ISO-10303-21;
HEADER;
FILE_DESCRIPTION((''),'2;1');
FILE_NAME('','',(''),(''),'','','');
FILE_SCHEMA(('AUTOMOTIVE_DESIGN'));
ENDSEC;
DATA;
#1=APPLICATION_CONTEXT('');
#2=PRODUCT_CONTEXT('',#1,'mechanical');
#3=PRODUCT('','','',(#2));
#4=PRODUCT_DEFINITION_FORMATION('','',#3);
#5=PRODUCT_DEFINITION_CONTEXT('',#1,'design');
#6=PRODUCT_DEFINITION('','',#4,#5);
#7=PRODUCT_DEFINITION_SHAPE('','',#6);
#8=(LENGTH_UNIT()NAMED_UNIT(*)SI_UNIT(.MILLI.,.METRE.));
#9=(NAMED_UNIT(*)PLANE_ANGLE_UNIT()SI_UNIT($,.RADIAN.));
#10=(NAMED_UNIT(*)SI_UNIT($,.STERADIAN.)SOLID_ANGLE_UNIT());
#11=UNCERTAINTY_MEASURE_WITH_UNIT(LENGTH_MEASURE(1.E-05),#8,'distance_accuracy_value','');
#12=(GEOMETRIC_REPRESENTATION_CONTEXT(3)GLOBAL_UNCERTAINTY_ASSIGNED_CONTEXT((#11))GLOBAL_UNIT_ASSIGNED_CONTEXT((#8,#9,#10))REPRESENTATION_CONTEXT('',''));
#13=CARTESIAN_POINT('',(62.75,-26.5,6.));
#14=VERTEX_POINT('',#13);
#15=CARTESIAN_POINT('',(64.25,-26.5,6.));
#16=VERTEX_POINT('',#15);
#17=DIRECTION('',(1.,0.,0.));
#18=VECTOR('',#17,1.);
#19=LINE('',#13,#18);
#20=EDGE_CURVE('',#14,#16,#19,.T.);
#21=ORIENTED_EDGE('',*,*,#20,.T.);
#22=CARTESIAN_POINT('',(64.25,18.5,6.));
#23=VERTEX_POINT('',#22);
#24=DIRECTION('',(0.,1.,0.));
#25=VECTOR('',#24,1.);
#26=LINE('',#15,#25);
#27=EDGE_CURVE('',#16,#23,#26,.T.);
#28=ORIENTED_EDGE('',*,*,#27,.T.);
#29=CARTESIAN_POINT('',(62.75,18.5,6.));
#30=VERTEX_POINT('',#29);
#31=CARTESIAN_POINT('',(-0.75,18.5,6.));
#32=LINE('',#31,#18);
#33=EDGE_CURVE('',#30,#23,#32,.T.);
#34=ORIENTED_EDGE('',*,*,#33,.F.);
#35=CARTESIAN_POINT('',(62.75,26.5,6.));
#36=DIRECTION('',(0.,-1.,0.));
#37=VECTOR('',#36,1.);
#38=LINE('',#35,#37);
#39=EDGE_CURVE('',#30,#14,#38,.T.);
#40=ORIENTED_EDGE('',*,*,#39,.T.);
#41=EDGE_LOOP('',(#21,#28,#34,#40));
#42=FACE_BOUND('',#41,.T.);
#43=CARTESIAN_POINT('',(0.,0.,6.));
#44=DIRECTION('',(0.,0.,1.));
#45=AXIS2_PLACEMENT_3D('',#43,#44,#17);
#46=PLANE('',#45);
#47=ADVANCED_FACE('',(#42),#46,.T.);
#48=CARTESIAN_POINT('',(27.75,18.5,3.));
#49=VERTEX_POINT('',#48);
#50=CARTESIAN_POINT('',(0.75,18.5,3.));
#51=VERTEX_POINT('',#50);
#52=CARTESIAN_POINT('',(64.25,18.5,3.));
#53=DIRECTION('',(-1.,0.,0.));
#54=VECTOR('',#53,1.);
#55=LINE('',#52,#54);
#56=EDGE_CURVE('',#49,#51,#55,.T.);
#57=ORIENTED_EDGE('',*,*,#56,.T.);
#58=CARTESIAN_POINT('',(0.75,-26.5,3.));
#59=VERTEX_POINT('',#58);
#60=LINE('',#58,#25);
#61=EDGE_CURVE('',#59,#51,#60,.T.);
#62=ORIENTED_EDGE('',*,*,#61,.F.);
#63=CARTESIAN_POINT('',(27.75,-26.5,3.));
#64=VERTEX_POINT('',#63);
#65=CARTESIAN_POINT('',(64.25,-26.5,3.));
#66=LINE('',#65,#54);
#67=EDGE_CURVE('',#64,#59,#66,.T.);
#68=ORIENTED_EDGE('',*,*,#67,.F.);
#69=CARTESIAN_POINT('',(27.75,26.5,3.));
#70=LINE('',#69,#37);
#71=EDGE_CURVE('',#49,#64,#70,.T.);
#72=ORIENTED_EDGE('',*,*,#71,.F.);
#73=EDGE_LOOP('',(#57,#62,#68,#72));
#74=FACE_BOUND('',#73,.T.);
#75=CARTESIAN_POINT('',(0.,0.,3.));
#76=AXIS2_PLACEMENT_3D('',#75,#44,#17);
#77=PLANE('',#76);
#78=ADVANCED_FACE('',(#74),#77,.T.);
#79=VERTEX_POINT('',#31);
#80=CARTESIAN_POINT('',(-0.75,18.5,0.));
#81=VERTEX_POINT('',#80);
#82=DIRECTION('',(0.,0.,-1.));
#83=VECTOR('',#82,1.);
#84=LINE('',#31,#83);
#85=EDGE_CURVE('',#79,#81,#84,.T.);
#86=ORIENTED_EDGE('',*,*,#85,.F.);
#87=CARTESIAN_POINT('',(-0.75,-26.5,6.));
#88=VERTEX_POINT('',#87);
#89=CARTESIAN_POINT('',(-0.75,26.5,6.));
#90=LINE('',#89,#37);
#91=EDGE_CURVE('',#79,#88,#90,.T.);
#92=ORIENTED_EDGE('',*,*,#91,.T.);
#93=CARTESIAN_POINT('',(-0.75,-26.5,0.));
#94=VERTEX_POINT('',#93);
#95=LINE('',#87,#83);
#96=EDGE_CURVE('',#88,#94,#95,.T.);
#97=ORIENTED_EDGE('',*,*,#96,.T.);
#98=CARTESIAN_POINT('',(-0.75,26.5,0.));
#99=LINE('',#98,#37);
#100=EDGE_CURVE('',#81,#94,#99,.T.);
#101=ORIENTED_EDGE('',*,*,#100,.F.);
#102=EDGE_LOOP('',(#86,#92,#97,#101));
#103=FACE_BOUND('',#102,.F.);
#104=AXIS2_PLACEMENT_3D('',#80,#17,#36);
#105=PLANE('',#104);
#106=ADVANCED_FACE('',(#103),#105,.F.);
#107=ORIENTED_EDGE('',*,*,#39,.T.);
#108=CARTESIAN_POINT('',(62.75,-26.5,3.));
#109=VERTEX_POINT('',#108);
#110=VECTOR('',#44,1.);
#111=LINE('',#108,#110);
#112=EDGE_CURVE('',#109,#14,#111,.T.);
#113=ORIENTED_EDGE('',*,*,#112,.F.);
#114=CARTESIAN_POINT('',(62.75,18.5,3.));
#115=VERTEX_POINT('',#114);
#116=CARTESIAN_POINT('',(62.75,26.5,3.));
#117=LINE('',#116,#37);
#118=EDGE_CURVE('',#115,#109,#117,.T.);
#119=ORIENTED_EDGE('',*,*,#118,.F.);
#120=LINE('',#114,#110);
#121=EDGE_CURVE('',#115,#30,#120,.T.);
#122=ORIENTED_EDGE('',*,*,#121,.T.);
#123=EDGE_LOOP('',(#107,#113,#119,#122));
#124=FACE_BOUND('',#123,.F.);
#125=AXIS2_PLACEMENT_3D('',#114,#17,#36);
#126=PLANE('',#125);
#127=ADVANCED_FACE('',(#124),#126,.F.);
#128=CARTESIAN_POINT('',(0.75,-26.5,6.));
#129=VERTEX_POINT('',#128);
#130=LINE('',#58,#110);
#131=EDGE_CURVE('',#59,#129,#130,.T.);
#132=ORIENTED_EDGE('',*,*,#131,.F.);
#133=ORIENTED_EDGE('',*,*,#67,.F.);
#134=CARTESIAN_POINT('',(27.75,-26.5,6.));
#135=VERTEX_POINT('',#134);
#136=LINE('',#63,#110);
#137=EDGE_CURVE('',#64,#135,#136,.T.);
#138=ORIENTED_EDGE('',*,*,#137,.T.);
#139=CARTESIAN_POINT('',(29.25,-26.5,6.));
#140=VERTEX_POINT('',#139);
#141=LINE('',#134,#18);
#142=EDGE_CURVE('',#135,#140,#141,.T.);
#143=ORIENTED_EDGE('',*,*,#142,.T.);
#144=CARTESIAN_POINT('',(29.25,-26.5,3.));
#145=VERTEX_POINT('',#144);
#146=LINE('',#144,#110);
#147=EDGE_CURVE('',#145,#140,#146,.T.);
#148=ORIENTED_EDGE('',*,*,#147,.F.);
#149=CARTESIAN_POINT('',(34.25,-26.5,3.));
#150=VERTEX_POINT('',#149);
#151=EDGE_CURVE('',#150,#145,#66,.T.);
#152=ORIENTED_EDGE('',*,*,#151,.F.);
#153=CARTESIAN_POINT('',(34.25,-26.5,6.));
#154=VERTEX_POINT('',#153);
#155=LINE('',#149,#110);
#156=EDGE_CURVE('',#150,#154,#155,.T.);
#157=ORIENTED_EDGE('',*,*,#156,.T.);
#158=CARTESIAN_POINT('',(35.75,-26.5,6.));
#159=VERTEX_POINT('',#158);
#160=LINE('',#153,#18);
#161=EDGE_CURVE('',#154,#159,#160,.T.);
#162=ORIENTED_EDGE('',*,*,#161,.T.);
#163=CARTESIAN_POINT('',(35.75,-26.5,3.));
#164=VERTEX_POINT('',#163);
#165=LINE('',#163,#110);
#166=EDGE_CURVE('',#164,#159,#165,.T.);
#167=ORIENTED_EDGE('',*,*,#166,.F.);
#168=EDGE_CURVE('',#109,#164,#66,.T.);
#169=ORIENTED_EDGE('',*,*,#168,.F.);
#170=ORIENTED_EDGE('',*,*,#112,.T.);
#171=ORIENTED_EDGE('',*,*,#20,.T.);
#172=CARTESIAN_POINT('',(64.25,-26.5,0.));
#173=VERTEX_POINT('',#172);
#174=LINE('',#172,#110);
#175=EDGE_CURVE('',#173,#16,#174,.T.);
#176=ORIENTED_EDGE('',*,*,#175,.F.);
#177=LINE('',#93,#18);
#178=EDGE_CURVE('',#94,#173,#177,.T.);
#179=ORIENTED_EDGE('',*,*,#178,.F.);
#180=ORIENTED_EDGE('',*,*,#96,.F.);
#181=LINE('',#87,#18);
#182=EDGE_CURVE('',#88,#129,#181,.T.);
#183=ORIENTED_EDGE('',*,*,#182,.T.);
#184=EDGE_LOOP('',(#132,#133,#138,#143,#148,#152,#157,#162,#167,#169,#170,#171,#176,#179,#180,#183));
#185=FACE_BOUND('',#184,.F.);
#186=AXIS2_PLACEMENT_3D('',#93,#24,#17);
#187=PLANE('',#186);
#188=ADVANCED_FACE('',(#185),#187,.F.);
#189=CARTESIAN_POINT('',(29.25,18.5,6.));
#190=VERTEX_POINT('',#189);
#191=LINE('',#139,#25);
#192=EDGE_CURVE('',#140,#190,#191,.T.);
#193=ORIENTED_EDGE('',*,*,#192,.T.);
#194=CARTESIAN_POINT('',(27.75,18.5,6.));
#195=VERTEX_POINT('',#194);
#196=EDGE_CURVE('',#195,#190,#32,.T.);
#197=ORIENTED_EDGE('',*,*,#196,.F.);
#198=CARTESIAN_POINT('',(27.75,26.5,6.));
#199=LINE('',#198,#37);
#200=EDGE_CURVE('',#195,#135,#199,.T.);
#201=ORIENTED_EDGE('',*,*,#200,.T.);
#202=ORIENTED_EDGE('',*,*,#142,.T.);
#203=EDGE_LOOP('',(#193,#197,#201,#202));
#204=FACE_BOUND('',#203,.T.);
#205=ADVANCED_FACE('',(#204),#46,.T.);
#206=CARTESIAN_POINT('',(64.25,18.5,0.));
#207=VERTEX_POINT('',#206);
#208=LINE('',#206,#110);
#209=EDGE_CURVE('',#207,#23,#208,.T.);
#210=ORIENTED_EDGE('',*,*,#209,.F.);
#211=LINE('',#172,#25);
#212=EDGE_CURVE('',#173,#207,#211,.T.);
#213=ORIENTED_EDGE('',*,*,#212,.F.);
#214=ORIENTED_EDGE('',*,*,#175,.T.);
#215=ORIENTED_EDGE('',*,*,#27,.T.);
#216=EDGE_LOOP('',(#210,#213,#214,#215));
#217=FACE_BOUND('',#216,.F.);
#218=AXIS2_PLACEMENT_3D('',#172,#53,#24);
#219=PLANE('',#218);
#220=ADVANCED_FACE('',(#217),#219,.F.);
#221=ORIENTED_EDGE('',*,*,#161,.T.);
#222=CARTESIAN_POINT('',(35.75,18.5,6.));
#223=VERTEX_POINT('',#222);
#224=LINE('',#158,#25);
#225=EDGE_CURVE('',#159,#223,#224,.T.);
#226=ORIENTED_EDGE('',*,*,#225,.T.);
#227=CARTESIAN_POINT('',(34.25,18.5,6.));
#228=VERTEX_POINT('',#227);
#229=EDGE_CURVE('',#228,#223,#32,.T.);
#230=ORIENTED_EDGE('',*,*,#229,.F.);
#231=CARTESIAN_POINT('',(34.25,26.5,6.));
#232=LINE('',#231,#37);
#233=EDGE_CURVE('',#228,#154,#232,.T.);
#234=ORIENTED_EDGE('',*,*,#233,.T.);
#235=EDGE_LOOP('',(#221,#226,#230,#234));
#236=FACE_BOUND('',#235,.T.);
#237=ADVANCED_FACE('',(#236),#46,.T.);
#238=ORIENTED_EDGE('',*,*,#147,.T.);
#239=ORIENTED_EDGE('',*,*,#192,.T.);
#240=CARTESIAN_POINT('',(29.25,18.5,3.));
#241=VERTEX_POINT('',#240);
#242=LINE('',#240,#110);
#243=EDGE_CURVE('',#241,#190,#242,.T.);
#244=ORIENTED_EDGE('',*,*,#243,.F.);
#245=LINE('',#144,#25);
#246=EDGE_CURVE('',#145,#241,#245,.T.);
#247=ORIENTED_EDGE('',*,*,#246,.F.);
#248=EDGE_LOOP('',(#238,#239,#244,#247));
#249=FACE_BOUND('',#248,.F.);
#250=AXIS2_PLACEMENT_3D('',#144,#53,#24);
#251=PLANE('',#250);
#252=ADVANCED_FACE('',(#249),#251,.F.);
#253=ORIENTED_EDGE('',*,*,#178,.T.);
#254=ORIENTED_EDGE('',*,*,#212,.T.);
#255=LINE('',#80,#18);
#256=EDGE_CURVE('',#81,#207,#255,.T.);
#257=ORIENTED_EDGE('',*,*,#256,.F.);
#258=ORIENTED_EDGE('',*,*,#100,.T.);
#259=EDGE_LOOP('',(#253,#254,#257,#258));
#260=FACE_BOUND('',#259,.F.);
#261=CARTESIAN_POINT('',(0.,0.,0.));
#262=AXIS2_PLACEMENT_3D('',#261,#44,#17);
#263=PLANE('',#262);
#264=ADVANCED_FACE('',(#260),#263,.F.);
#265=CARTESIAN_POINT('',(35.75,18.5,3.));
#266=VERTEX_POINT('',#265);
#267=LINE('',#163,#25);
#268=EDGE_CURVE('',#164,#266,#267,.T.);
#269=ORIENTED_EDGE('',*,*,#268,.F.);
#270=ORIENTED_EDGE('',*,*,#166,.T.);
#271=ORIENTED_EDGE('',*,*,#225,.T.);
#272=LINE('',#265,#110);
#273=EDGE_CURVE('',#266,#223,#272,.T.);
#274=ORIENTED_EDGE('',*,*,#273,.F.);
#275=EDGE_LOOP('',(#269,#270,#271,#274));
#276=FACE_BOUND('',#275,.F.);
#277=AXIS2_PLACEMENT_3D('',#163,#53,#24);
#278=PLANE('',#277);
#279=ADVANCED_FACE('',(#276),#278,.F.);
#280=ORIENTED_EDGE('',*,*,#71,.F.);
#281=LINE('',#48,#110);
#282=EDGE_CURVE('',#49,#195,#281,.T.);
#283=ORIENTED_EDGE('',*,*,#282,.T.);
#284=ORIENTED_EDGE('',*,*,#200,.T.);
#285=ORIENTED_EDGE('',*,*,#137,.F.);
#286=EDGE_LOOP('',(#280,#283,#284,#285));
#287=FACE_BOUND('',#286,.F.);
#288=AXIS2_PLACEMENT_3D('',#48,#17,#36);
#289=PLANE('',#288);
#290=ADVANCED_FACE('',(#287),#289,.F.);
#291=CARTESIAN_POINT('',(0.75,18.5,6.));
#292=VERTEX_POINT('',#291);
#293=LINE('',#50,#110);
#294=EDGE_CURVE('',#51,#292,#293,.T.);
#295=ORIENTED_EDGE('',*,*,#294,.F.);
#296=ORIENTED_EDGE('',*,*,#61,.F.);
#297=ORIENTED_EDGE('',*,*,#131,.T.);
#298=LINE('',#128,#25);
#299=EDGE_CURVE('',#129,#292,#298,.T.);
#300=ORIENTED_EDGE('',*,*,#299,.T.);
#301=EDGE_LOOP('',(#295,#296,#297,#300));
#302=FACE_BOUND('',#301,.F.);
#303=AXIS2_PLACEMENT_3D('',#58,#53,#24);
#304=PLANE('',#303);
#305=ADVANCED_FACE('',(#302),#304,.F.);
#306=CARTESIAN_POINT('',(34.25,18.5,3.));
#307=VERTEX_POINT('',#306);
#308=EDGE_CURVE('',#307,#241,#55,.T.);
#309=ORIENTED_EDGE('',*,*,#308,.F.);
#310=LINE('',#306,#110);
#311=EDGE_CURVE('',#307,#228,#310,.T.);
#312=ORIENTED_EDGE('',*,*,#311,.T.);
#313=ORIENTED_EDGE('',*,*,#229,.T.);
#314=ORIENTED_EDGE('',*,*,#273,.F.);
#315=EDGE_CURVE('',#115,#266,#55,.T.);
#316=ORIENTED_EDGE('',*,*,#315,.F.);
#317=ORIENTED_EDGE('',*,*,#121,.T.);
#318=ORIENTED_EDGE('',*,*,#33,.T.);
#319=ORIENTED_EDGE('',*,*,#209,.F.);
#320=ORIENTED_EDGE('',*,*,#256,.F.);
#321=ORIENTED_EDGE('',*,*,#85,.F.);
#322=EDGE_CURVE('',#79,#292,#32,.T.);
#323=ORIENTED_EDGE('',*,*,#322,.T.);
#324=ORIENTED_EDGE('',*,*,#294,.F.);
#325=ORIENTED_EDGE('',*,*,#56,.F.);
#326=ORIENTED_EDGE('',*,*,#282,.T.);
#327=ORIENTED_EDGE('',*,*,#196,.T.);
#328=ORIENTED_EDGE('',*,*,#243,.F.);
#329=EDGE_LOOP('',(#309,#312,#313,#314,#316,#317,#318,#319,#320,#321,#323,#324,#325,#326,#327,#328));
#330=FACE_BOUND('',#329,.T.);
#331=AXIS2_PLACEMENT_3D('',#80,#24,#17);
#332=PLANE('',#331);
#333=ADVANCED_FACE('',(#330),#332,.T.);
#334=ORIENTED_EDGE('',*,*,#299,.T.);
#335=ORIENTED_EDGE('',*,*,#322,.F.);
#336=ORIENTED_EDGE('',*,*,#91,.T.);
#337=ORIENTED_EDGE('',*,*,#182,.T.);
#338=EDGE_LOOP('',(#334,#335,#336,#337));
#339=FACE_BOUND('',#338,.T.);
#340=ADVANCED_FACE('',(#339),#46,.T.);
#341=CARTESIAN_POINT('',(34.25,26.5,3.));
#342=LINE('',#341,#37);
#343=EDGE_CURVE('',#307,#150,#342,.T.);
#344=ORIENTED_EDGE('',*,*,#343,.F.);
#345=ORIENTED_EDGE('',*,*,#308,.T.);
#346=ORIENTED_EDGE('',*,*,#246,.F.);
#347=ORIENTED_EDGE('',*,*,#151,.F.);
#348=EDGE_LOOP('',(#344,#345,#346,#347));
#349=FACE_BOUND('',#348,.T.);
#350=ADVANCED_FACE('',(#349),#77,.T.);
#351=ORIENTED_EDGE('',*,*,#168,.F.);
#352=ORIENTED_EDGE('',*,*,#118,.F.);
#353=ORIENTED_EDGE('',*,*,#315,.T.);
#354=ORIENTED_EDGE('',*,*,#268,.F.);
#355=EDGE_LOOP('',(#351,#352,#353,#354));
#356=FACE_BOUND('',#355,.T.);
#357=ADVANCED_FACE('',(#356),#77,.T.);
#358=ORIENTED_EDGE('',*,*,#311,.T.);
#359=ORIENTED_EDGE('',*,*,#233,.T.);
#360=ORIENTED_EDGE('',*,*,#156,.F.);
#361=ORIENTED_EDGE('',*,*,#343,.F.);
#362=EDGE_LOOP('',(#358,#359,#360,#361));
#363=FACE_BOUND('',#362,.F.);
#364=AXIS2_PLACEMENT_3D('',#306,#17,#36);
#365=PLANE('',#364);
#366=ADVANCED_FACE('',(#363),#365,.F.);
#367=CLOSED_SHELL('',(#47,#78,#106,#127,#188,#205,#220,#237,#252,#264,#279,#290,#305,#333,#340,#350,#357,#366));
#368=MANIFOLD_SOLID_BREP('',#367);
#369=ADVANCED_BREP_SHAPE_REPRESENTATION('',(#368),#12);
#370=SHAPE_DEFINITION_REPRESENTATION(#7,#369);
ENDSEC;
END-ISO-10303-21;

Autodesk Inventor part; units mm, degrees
ref_plane "YZ Plane" through (0, 0, 0) normal (1, 0, 0) x (0, 1, 0)
ref_plane "XZ Plane" through (0, 0, 0) normal (0, 1, 0) x (-1, 0, 0)
ref_plane "XY Plane" through (0, 0, 0) normal (0, 0, 1) x (1, 0, 0)
sketch "Sketch1" plane through (0, 0, 0) normal (0, 0, 1) x (1, 0, 0)
  line L0 (0.75, -26.5) -> (0.75, 26.5) projected
  line L1 (0.75, 26.5) -> (-0.75, 26.5) projected
  line L2 (-0.75, 26.5) -> (-0.75, -26.5) projected
  line L3 (-0.75, -26.5) -> (0.75, -26.5) projected
  line L4 (27.75, 26.5) -> (27.75, -26.5) projected
  line L5 (27.75, -26.5) -> (29.25, -26.5) projected
  line L6 (29.25, -26.5) -> (29.25, 26.5) projected
  line L7 (29.25, 26.5) -> (27.75, 26.5) projected
  line L8 (35.75, -26.5) -> (35.75, 26.5) projected
  line L9 (35.75, 26.5) -> (34.25, 26.5) projected
  line L10 (34.25, 26.5) -> (34.25, -26.5) projected
  line L11 (34.25, -26.5) -> (35.75, -26.5) projected
  line L12 (64.25, -26.5) -> (64.25, 26.5) projected
  line L13 (62.75, 26.5) -> (62.75, -26.5) projected
  line L14 (62.75, -26.5) -> (64.25, -26.5) projected
  line L15 (64.25, -26.5) -> (64.25, 26.5) projected
  line L16 (64.25, 26.5) -> (62.75, 26.5) projected
  line L17 (64.25, -26.5) -> (-0.75, -26.5)
  line L18 (-0.75, -26.5) -> (-0.75, 18.5)
  line L19 (-0.75, 18.5) -> (64.25, 18.5)
  line L20 (64.25, 18.5) -> (64.25, -26.5)
  line L21 (62.75, 18.5) -> (62.75, -26.5)
  line L22 (35.75, 18.5) -> (35.75, -26.5)
  line L23 (34.25, 18.5) -> (34.25, -26.5)
  line L24 (29.25, 18.5) -> (29.25, -26.5)
  line L25 (27.75, -26.5) -> (27.75, 18.5)
  line L26 (0.75, 18.5) -> (0.75, -26.5)
  point P0 (0, 0)
  dimension "d0" = 45
extrude "Extrusion1" add sketch "Sketch1" along normal blind 3 contours L3 L2 L19 L0 | L0 L19 L4 L17 | L4 L19 L6 L5 | L6 L19 L10 L17 | L10 L19 L8 L11 | L8 L19 L13 L17 | L13 L19 L12 L14
sketch "Sketch2" plane through (0, 0, 3) normal (0, 0, 1) x (1, 0, 0)
  line L0 (0.75, -26.5) -> (0.75, 26.5)
  line L1 (0.75, 26.5) -> (-0.75, 26.5)
  line L2 (-0.75, 26.5) -> (-0.75, -26.5)
  line L3 (-0.75, -26.5) -> (0.75, -26.5)
  line L4 (27.75, 26.5) -> (27.75, -26.5)
  line L5 (27.75, -26.5) -> (29.25, -26.5)
  line L6 (29.25, -26.5) -> (29.25, 26.5)
  line L7 (29.25, 26.5) -> (27.75, 26.5)
  line L8 (35.75, -26.5) -> (35.75, 26.5)
  line L9 (35.75, 26.5) -> (34.25, 26.5)
  line L10 (34.25, 26.5) -> (34.25, -26.5)
  line L11 (34.25, -26.5) -> (35.75, -26.5)
  line L12 (64.25, -26.5) -> (64.25, 26.5)
  line L13 (62.75, 26.5) -> (62.75, -26.5)
  line L14 (62.75, -26.5) -> (64.25, -26.5)
  line L15 (64.25, -26.5) -> (64.25, 26.5)
  line L16 (64.25, 26.5) -> (62.75, 26.5)
  line L17 (64.25, -26.5) -> (-0.75, -26.5)
  line L18 (-0.75, -26.5) -> (-0.75, 18.5)
  line L19 (-0.75, 18.5) -> (64.25, 18.5)
  line L20 (64.25, 18.5) -> (64.25, -26.5)
  line L21 (62.75, 18.5) -> (62.75, -26.5)
  line L22 (35.75, 18.5) -> (35.75, -26.5)
  line L23 (34.25, 18.5) -> (34.25, -26.5)
  line L24 (29.25, 18.5) -> (29.25, -26.5)
  line L25 (27.75, -26.5) -> (27.75, 18.5)
  line L26 (0.75, 18.5) -> (0.75, -26.5)
  line L27 (0.75, -26.5) -> (0.75, 26.5)
  line L28 (0.75, 26.5) -> (-0.75, 26.5)
  line L29 (-0.75, 26.5) -> (-0.75, -26.5)
  line L30 (-0.75, -26.5) -> (0.75, -26.5)
  line L31 (27.75, 26.5) -> (27.75, -26.5)
  line L32 (27.75, -26.5) -> (29.25, -26.5)
  line L33 (29.25, -26.5) -> (29.25, 26.5)
  line L34 (29.25, 26.5) -> (27.75, 26.5)
  line L35 (35.75, -26.5) -> (35.75, 26.5)
  line L36 (35.75, 26.5) -> (34.25, 26.5)
  line L37 (34.25, 26.5) -> (34.25, -26.5)
  line L38 (34.25, -26.5) -> (35.75, -26.5)
  line L39 (64.25, -26.5) -> (64.25, 26.5)
  line L40 (62.75, 26.5) -> (62.75, -26.5)
  line L41 (62.75, -26.5) -> (64.25, -26.5)
  line L42 (64.25, -26.5) -> (64.25, 26.5)
  line L43 (64.25, 26.5) -> (62.75, 26.5)
  line L44 (64.25, -26.5) -> (-0.75, -26.5)
  line L45 (-0.75, -26.5) -> (-0.75, 18.5)
  line L46 (-0.75, 18.5) -> (64.25, 18.5)
  line L47 (64.25, 18.5) -> (64.25, -26.5)
  line L48 (62.75, 18.5) -> (62.75, -26.5)
  line L49 (35.75, 18.5) -> (35.75, -26.5)
  line L50 (34.25, 18.5) -> (34.25, -26.5)
  line L51 (29.25, 18.5) -> (29.25, -26.5)
  line L52 (27.75, -26.5) -> (27.75, 18.5)
  line L53 (0.75, 18.5) -> (0.75, -26.5)
  point P0 (0, 0)
  point P1 (0, 0)
  point P2 (0, 0)
  dimension "d3" = 45
  dimension "d4" = 45
extrude "Extrusion2" add sketch "Sketch2" along normal blind 3 contours L3 L2 L19 L0 | L4 L19 L6 L5 | L10 L19 L8 L11 | L13 L19 L12 L14
properties part number "base_2"
